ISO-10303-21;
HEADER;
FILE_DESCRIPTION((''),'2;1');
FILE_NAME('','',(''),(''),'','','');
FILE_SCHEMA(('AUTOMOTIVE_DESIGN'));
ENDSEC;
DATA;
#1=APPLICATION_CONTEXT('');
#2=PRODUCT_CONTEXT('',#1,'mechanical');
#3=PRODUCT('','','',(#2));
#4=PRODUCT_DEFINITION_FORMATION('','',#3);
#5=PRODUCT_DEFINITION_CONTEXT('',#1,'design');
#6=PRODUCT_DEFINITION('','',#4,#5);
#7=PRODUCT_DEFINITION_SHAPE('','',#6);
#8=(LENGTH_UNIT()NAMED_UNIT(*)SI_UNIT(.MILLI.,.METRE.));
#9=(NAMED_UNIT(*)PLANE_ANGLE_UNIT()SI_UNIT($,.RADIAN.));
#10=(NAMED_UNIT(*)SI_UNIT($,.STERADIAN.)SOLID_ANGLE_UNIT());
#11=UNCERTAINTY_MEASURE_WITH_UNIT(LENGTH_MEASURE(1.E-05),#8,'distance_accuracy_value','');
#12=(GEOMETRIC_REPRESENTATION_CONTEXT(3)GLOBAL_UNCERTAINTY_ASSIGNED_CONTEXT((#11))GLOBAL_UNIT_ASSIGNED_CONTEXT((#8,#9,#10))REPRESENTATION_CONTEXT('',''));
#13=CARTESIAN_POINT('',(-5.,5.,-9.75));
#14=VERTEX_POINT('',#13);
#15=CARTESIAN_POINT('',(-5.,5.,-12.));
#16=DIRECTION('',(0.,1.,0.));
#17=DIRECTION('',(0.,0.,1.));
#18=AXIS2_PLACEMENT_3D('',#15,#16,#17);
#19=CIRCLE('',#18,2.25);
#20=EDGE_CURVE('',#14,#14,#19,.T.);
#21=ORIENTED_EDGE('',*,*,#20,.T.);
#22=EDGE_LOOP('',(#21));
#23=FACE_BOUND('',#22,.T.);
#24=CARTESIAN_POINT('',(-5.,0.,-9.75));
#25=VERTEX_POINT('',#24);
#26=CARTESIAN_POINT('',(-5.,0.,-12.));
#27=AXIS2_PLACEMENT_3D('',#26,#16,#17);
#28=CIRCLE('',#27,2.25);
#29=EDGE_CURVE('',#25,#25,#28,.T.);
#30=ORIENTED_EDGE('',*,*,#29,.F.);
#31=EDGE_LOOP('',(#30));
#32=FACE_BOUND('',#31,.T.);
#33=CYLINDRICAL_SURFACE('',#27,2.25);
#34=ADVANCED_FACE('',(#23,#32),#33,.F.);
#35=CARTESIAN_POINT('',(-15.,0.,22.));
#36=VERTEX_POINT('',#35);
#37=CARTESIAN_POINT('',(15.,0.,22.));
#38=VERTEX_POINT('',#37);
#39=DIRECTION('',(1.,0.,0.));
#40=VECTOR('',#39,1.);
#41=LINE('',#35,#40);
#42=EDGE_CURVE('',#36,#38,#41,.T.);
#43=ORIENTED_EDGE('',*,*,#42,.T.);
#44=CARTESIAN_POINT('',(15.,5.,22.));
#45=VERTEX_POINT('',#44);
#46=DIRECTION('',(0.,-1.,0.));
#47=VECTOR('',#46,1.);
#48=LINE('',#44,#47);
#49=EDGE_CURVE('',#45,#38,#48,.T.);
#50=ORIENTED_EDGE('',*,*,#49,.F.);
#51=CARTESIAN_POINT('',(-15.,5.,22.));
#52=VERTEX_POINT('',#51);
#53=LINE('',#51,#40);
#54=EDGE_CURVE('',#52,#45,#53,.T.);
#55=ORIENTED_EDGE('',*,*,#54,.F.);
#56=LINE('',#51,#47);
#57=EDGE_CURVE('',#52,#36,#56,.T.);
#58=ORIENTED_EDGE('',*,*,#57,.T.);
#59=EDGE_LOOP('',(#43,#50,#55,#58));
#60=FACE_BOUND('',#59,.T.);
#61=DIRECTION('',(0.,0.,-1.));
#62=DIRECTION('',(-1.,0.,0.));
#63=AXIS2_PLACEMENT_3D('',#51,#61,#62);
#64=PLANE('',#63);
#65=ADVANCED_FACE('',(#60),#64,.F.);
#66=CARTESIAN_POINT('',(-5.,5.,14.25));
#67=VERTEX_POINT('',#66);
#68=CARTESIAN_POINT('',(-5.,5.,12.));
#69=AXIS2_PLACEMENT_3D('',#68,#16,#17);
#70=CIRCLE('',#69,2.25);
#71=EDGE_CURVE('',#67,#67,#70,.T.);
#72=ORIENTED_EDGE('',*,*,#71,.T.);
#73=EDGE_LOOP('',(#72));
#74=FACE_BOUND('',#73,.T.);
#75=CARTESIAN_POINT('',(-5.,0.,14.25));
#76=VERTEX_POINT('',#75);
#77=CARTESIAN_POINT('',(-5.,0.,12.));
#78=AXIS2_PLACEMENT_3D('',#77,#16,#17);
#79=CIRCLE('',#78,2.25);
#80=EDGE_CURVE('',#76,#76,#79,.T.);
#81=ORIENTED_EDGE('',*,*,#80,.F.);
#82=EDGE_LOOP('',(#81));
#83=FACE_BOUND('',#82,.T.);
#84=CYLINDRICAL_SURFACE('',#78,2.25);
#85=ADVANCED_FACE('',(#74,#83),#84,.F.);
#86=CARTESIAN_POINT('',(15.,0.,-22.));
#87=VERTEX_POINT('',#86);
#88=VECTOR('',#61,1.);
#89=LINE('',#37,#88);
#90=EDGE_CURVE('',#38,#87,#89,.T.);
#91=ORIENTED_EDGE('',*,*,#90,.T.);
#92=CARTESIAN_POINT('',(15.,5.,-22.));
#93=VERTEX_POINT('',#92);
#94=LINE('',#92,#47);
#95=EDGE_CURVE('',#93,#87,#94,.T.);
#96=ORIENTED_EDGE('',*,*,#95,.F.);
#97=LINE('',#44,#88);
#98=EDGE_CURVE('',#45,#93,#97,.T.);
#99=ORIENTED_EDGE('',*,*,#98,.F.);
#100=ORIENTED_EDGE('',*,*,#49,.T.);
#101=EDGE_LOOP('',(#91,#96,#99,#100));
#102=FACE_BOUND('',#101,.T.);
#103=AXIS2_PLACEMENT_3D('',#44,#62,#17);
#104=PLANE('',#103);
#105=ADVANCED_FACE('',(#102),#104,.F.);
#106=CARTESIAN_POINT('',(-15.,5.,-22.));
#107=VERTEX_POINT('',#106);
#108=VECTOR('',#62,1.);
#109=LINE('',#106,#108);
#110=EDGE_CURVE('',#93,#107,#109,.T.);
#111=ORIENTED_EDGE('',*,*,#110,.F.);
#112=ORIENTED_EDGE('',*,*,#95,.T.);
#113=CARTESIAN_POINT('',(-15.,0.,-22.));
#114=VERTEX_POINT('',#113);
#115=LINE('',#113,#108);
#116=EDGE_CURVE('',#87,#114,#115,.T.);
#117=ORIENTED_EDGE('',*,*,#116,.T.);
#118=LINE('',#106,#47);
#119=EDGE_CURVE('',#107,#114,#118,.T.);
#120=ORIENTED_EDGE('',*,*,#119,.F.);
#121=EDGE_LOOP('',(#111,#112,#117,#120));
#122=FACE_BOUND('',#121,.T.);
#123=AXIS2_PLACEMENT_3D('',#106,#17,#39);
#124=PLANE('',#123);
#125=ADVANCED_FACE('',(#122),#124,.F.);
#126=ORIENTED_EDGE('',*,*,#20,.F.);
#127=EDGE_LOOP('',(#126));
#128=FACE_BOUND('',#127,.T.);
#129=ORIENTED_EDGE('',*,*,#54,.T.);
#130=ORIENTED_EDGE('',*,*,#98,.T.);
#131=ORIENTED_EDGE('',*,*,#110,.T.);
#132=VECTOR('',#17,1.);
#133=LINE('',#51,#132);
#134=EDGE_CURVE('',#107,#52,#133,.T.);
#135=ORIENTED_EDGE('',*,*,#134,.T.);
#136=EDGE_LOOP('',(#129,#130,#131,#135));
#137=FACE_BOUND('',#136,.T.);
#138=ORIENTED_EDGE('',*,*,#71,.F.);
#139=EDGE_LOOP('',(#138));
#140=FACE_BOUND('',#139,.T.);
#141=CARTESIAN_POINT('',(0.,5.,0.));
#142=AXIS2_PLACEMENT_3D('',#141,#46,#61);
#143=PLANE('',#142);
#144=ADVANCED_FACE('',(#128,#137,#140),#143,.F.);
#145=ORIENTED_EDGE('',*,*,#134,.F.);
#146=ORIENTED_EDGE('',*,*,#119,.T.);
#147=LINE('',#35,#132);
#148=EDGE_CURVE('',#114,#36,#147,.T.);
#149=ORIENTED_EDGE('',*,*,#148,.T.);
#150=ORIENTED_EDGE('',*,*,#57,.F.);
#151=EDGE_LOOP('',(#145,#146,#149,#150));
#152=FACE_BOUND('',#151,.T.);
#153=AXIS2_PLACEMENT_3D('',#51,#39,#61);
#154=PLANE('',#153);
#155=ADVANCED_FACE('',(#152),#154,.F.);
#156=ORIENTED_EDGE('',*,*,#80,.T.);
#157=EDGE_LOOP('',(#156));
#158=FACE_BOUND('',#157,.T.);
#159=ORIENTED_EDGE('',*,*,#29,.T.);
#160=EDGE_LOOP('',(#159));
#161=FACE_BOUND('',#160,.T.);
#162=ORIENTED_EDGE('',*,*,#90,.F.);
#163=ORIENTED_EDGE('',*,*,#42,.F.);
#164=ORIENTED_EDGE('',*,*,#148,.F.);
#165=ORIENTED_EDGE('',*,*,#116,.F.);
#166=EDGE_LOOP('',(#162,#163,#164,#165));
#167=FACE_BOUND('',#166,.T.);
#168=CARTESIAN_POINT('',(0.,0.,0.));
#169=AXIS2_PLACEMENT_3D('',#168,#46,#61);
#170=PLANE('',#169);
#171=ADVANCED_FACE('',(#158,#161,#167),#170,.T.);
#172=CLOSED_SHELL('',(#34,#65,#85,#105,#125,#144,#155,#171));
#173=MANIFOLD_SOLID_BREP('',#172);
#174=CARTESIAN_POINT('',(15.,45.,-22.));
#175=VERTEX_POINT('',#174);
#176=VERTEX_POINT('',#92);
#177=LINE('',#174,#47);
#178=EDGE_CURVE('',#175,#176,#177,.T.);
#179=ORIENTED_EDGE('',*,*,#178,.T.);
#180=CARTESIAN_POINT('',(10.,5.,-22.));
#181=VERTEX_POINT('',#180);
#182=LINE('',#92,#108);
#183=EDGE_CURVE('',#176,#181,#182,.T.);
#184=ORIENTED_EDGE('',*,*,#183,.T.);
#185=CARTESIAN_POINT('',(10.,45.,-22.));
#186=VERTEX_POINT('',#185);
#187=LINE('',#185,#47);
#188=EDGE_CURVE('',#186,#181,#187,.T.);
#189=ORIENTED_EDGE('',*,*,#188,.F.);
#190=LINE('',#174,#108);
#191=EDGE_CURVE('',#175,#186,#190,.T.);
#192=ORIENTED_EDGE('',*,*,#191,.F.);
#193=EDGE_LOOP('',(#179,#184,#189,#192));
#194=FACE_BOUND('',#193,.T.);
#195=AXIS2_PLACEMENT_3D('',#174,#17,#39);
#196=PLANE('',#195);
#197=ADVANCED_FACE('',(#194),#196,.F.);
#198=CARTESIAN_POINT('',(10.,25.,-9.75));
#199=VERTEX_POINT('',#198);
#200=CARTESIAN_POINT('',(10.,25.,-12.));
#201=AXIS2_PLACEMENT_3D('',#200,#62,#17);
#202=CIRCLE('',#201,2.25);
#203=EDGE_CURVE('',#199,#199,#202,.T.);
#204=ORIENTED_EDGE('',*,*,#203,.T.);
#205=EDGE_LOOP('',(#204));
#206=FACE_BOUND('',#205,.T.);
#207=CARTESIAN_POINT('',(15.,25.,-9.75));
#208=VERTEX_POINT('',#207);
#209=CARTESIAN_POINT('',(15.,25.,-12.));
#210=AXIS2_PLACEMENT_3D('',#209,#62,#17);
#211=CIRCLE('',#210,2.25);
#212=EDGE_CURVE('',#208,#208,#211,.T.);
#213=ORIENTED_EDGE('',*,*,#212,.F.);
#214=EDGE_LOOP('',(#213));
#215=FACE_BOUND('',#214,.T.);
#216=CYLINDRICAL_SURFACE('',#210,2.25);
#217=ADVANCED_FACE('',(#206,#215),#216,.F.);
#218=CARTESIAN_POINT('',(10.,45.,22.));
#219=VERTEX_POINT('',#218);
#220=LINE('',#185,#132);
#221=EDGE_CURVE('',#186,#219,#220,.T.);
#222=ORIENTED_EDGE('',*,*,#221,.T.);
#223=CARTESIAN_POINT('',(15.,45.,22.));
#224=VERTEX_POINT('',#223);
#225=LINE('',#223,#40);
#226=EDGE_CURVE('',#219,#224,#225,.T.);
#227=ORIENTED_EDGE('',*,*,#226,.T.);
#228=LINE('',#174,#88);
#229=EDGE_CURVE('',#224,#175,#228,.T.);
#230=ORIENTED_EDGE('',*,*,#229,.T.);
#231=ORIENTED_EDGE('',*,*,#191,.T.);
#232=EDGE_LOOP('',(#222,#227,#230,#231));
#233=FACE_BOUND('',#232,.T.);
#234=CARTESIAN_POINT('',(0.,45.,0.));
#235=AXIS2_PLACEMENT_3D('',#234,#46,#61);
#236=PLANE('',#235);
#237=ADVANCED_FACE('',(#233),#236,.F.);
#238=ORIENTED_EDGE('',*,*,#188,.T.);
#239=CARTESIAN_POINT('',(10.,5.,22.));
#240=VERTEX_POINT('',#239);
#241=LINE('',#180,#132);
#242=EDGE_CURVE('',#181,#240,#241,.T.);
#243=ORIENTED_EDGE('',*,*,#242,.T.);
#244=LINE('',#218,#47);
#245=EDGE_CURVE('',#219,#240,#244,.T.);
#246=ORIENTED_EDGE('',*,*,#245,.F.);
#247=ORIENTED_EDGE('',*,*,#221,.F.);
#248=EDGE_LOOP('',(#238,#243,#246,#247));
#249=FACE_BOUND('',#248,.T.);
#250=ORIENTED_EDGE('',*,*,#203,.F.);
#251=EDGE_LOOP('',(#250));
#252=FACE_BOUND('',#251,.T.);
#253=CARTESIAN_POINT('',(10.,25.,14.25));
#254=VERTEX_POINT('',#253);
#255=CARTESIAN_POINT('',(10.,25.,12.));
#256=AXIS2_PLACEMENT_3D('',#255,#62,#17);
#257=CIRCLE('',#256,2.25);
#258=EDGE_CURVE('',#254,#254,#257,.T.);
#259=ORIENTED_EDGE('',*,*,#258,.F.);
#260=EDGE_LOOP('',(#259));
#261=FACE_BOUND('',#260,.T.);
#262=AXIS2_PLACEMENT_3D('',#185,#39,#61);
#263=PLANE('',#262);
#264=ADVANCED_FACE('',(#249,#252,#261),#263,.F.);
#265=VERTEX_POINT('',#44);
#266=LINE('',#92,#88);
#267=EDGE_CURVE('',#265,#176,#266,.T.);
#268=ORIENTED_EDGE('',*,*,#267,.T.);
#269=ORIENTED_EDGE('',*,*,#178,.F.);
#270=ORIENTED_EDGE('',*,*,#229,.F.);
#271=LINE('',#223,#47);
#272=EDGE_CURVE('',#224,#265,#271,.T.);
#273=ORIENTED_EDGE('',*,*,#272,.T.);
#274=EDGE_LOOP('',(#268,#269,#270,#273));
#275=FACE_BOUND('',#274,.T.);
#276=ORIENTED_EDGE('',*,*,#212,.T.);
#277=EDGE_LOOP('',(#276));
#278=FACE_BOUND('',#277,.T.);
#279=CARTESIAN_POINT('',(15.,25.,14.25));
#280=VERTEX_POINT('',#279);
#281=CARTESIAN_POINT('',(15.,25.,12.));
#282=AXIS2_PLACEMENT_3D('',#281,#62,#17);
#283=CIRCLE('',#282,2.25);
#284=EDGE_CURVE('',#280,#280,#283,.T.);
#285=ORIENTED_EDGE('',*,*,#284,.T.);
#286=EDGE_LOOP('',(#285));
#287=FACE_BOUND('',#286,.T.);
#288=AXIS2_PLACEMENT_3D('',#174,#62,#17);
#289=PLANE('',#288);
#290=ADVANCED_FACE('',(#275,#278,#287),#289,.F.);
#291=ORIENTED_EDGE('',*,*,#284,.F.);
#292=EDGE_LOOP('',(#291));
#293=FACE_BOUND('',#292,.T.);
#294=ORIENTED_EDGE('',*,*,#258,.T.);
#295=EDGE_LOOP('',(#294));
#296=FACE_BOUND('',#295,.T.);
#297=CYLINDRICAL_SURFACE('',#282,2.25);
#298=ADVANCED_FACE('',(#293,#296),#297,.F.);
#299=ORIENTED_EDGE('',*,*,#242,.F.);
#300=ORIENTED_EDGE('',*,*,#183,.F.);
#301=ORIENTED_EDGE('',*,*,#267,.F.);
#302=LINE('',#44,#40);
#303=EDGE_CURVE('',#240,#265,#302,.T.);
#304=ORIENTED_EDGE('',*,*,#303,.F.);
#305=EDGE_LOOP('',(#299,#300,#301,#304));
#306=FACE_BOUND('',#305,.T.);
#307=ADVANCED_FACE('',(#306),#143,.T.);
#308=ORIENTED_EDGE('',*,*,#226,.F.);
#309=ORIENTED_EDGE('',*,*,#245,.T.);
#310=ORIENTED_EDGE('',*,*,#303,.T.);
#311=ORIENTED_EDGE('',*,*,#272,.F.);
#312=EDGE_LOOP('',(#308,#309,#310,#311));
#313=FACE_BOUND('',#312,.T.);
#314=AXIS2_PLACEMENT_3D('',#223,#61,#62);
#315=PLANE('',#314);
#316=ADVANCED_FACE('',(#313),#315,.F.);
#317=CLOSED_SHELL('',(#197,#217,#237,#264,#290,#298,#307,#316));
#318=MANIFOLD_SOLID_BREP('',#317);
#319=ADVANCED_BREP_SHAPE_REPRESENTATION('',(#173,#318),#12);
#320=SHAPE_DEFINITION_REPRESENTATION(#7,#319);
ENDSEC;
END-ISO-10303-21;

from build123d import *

# Parameters (mm, degrees)
SKETCH1_W           = 30
SKETCH1_H           = 44
BOSS_EXTRUDE1_DEPTH = 5
SKETCH2_R           = 2.25
CUT_EXTRUDE1_DEPTH  = 28.092434368
SKETCH4_W           = 5
SKETCH4_H           = 44
BOSS_EXTRUDE3_DEPTH = 40
SKETCH5_R           = 2.25
CUT_EXTRUDE3_DEPTH  = 56.982140009


with BuildPart() as part:
    # Sketch1 → Boss-Extrude1 (new body)
    with BuildSketch(Plane(origin=(0, 0, 0), x_dir=(1, 0, 0), z_dir=(0, 1, 0))):
        Rectangle(SKETCH1_W, SKETCH1_H)
    extrude(amount=BOSS_EXTRUDE1_DEPTH)

    # Sketch2 → Cut-Extrude1 (cut, through all)
    with BuildSketch(Plane(origin=(0, 5, 0), x_dir=(1, 0, 0), z_dir=(0, 1, 0))):
        with Locations(Location((-5, -12, 0), (0, 0, 270))):
            Circle(SKETCH2_R)
        with Locations(Location((-5, 12, 0), (0, 0, 270))):
            Circle(SKETCH2_R)
    extrude(amount=-CUT_EXTRUDE1_DEPTH, mode=Mode.SUBTRACT)


with BuildPart() as body_2:
    # Sketch4 → Boss-Extrude3 (new body)
    with BuildSketch(Plane(origin=(0, 5, 0), x_dir=(1, 0, 0), z_dir=(0, 1, 0))):
        with Locations((12.5, 0)):
            Rectangle(SKETCH4_W, SKETCH4_H)
    extrude(amount=BOSS_EXTRUDE3_DEPTH)

    # Sketch5 → Cut-Extrude3 (cut, through all)
    with BuildSketch(Plane.ZY.offset(-10)):
        with Locations((12, 25)):
            Circle(SKETCH5_R)
        with Locations((-12, 25)):
            Circle(SKETCH5_R)
    extrude(amount=-CUT_EXTRUDE3_DEPTH, mode=Mode.SUBTRACT)


solid = Compound([part.part, body_2.part])
